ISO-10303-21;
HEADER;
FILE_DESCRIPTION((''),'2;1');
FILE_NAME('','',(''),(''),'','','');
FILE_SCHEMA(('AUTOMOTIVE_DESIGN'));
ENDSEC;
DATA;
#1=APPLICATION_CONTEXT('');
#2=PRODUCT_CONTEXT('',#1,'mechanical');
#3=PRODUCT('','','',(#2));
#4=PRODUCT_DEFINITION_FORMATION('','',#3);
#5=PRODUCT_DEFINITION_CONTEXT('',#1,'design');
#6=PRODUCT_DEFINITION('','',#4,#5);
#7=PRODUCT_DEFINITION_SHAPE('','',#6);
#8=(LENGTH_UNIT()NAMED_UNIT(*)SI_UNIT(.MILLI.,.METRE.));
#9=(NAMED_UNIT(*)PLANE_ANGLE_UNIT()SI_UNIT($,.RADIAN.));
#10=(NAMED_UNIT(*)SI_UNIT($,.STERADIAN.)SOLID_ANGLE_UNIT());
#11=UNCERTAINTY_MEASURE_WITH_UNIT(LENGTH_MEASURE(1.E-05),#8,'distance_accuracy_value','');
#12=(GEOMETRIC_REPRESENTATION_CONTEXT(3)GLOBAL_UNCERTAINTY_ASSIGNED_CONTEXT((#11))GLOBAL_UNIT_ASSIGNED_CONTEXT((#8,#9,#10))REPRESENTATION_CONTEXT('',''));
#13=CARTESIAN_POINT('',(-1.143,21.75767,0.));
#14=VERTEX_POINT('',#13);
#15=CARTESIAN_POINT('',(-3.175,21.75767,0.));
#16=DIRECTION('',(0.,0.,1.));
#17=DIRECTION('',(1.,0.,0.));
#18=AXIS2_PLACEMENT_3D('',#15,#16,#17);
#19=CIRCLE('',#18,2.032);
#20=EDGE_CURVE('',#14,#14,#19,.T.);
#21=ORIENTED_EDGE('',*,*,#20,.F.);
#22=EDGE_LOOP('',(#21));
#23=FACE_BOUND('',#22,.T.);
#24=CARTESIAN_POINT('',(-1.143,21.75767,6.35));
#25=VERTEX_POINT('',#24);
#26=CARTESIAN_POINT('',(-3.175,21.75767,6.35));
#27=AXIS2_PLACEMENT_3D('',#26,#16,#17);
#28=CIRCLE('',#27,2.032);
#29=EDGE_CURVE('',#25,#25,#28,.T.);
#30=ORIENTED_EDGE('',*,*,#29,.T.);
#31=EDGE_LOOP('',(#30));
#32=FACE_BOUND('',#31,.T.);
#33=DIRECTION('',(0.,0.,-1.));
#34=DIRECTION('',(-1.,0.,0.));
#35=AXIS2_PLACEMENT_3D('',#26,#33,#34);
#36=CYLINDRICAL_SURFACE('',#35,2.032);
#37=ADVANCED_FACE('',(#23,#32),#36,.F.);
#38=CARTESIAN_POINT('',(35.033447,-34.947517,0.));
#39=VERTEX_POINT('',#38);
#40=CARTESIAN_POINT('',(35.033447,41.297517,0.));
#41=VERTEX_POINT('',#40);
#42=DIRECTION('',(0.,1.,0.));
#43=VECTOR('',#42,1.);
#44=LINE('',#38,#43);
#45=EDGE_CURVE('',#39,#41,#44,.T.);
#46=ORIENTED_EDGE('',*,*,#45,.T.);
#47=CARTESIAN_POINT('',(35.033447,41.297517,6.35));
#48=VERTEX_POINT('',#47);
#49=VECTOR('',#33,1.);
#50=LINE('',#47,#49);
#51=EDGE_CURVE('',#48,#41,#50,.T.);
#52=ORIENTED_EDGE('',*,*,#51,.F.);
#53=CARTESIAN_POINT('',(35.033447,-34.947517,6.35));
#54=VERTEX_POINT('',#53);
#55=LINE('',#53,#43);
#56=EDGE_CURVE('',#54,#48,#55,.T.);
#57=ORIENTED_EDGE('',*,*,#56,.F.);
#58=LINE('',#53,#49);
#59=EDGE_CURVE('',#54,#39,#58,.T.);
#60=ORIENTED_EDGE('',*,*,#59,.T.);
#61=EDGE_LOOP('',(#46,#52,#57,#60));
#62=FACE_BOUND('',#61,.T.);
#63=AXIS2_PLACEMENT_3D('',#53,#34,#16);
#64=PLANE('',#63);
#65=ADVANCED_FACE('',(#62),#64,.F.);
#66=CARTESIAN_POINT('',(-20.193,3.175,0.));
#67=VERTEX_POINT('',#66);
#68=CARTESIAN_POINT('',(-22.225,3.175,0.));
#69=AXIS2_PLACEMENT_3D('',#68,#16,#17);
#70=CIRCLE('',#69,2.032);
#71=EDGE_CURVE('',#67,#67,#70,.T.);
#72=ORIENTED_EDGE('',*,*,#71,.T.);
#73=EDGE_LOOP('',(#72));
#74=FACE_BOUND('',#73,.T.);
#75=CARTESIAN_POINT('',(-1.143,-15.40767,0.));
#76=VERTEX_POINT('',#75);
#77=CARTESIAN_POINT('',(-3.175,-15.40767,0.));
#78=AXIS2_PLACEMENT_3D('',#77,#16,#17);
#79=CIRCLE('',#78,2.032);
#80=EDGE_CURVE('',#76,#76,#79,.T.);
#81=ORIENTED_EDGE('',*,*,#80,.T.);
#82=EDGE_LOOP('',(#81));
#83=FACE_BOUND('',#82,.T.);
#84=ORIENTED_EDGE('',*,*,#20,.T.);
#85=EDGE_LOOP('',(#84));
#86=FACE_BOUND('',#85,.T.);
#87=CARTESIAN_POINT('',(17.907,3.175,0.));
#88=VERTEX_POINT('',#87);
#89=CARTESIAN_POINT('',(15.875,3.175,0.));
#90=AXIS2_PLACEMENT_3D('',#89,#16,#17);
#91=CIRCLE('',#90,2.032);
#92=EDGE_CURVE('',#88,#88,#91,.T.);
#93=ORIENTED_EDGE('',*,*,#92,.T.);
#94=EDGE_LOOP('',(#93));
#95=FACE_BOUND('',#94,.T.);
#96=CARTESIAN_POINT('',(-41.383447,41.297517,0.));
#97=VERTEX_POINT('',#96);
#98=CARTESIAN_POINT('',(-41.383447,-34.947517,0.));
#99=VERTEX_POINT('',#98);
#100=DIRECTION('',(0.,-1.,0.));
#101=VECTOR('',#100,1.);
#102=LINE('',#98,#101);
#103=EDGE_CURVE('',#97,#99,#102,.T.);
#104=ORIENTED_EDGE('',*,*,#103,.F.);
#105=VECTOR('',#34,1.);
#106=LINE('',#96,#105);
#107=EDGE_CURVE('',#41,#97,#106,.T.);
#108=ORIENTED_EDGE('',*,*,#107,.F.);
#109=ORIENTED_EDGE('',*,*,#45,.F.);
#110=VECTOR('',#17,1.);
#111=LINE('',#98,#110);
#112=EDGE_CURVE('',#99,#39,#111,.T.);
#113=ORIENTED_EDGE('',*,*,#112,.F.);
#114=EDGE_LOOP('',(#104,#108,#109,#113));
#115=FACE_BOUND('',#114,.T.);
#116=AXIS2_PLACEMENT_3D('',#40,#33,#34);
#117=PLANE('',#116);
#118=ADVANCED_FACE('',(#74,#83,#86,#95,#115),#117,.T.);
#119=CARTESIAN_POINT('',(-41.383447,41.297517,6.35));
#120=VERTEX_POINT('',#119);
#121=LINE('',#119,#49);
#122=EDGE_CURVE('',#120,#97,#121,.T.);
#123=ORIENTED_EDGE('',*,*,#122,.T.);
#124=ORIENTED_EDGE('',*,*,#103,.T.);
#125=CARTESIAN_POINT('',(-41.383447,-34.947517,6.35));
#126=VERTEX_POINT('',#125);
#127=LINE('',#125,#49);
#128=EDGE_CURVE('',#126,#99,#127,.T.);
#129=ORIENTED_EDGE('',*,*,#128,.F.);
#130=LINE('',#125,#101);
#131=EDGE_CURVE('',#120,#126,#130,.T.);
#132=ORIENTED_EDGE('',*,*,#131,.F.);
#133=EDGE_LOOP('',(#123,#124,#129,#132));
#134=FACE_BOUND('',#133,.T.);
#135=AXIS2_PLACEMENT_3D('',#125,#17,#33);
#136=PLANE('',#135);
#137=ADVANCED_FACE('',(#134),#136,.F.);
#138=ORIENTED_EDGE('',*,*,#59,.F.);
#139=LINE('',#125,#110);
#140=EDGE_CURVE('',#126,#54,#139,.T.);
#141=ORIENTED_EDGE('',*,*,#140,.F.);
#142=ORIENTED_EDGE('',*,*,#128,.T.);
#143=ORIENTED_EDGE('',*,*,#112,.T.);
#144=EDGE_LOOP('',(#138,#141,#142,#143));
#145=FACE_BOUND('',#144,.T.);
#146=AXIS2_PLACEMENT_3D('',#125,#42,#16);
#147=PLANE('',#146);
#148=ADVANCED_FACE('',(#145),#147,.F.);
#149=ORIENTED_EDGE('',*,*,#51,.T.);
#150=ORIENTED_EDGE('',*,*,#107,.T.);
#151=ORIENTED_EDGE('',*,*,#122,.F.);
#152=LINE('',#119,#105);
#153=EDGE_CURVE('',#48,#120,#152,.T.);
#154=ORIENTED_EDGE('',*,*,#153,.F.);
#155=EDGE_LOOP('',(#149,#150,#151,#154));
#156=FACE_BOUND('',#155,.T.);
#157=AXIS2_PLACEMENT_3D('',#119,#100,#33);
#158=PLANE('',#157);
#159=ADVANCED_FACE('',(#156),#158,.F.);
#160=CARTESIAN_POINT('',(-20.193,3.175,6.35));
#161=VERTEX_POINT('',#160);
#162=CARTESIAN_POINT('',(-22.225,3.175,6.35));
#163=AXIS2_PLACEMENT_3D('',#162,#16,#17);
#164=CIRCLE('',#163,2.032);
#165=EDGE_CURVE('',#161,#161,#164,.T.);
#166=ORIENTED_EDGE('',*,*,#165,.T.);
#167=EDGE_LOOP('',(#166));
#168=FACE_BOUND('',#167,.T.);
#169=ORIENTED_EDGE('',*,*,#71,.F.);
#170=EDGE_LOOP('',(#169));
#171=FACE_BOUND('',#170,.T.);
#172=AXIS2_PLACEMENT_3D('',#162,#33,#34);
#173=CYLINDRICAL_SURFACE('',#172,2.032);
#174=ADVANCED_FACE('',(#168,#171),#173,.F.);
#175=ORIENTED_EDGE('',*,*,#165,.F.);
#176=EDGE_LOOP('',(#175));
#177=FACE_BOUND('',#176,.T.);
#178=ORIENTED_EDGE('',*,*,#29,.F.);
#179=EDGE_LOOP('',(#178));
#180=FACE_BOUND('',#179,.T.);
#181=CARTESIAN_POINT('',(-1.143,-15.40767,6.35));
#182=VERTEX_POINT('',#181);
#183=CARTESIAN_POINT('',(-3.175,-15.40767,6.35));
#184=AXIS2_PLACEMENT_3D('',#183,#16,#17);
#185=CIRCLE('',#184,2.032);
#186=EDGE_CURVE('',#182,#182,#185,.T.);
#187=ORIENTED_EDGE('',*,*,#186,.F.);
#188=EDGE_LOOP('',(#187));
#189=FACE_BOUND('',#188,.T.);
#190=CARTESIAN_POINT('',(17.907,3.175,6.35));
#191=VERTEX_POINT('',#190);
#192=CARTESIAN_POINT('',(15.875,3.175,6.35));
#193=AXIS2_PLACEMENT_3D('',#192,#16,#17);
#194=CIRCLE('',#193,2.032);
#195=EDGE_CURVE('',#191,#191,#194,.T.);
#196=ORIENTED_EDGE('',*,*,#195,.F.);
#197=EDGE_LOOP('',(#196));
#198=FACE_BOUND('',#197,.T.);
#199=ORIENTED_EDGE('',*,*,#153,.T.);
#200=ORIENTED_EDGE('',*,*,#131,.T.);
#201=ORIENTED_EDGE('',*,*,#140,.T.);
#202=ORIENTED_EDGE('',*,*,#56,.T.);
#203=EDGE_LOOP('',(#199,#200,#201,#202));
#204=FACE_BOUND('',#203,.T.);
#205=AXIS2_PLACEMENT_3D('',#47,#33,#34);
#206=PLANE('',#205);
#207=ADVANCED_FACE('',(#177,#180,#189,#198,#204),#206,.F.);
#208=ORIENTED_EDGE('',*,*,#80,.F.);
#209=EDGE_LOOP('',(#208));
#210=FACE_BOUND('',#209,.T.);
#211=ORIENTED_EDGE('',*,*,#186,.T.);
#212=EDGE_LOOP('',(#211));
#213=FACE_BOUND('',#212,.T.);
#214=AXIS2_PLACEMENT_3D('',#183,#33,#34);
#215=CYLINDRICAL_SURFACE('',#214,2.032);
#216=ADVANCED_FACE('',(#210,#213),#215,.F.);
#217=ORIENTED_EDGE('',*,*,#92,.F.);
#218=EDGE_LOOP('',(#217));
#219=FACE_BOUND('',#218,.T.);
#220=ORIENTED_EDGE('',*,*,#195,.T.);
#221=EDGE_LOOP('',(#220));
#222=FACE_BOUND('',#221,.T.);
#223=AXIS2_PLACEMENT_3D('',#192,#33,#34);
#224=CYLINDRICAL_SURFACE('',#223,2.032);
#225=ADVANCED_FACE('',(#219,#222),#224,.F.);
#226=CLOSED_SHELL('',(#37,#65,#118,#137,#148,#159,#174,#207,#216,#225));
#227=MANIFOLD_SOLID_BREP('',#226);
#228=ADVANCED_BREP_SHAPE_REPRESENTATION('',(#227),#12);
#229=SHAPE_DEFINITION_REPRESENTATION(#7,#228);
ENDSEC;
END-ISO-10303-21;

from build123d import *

# Parameters (mm, degrees)
SKETCH2_W           = 76.41689312
SKETCH2_H           = 76.245033474
SKETCH2_R           = 2.032
BOSS_EXTRUDE1_DEPTH = 6.35


with BuildPart() as part:
    # Sketch2 → Boss-Extrude1 (new body)
    with BuildSketch(Plane.XY):
        with Locations((-3.175, 3.175)):
            Rectangle(SKETCH2_W, SKETCH2_H)
        with Locations((-22.225, 3.175)):
            Circle(SKETCH2_R, mode=Mode.SUBTRACT)
        with Locations((15.875, 3.175)):
            Circle(SKETCH2_R, mode=Mode.SUBTRACT)
        with Locations((-3.175, 21.757669528)):
            Circle(SKETCH2_R, mode=Mode.SUBTRACT)
        with Locations((-3.175, -15.407669528)):
            Circle(SKETCH2_R, mode=Mode.SUBTRACT)
    extrude(amount=BOSS_EXTRUDE1_DEPTH)


solid = part.part
